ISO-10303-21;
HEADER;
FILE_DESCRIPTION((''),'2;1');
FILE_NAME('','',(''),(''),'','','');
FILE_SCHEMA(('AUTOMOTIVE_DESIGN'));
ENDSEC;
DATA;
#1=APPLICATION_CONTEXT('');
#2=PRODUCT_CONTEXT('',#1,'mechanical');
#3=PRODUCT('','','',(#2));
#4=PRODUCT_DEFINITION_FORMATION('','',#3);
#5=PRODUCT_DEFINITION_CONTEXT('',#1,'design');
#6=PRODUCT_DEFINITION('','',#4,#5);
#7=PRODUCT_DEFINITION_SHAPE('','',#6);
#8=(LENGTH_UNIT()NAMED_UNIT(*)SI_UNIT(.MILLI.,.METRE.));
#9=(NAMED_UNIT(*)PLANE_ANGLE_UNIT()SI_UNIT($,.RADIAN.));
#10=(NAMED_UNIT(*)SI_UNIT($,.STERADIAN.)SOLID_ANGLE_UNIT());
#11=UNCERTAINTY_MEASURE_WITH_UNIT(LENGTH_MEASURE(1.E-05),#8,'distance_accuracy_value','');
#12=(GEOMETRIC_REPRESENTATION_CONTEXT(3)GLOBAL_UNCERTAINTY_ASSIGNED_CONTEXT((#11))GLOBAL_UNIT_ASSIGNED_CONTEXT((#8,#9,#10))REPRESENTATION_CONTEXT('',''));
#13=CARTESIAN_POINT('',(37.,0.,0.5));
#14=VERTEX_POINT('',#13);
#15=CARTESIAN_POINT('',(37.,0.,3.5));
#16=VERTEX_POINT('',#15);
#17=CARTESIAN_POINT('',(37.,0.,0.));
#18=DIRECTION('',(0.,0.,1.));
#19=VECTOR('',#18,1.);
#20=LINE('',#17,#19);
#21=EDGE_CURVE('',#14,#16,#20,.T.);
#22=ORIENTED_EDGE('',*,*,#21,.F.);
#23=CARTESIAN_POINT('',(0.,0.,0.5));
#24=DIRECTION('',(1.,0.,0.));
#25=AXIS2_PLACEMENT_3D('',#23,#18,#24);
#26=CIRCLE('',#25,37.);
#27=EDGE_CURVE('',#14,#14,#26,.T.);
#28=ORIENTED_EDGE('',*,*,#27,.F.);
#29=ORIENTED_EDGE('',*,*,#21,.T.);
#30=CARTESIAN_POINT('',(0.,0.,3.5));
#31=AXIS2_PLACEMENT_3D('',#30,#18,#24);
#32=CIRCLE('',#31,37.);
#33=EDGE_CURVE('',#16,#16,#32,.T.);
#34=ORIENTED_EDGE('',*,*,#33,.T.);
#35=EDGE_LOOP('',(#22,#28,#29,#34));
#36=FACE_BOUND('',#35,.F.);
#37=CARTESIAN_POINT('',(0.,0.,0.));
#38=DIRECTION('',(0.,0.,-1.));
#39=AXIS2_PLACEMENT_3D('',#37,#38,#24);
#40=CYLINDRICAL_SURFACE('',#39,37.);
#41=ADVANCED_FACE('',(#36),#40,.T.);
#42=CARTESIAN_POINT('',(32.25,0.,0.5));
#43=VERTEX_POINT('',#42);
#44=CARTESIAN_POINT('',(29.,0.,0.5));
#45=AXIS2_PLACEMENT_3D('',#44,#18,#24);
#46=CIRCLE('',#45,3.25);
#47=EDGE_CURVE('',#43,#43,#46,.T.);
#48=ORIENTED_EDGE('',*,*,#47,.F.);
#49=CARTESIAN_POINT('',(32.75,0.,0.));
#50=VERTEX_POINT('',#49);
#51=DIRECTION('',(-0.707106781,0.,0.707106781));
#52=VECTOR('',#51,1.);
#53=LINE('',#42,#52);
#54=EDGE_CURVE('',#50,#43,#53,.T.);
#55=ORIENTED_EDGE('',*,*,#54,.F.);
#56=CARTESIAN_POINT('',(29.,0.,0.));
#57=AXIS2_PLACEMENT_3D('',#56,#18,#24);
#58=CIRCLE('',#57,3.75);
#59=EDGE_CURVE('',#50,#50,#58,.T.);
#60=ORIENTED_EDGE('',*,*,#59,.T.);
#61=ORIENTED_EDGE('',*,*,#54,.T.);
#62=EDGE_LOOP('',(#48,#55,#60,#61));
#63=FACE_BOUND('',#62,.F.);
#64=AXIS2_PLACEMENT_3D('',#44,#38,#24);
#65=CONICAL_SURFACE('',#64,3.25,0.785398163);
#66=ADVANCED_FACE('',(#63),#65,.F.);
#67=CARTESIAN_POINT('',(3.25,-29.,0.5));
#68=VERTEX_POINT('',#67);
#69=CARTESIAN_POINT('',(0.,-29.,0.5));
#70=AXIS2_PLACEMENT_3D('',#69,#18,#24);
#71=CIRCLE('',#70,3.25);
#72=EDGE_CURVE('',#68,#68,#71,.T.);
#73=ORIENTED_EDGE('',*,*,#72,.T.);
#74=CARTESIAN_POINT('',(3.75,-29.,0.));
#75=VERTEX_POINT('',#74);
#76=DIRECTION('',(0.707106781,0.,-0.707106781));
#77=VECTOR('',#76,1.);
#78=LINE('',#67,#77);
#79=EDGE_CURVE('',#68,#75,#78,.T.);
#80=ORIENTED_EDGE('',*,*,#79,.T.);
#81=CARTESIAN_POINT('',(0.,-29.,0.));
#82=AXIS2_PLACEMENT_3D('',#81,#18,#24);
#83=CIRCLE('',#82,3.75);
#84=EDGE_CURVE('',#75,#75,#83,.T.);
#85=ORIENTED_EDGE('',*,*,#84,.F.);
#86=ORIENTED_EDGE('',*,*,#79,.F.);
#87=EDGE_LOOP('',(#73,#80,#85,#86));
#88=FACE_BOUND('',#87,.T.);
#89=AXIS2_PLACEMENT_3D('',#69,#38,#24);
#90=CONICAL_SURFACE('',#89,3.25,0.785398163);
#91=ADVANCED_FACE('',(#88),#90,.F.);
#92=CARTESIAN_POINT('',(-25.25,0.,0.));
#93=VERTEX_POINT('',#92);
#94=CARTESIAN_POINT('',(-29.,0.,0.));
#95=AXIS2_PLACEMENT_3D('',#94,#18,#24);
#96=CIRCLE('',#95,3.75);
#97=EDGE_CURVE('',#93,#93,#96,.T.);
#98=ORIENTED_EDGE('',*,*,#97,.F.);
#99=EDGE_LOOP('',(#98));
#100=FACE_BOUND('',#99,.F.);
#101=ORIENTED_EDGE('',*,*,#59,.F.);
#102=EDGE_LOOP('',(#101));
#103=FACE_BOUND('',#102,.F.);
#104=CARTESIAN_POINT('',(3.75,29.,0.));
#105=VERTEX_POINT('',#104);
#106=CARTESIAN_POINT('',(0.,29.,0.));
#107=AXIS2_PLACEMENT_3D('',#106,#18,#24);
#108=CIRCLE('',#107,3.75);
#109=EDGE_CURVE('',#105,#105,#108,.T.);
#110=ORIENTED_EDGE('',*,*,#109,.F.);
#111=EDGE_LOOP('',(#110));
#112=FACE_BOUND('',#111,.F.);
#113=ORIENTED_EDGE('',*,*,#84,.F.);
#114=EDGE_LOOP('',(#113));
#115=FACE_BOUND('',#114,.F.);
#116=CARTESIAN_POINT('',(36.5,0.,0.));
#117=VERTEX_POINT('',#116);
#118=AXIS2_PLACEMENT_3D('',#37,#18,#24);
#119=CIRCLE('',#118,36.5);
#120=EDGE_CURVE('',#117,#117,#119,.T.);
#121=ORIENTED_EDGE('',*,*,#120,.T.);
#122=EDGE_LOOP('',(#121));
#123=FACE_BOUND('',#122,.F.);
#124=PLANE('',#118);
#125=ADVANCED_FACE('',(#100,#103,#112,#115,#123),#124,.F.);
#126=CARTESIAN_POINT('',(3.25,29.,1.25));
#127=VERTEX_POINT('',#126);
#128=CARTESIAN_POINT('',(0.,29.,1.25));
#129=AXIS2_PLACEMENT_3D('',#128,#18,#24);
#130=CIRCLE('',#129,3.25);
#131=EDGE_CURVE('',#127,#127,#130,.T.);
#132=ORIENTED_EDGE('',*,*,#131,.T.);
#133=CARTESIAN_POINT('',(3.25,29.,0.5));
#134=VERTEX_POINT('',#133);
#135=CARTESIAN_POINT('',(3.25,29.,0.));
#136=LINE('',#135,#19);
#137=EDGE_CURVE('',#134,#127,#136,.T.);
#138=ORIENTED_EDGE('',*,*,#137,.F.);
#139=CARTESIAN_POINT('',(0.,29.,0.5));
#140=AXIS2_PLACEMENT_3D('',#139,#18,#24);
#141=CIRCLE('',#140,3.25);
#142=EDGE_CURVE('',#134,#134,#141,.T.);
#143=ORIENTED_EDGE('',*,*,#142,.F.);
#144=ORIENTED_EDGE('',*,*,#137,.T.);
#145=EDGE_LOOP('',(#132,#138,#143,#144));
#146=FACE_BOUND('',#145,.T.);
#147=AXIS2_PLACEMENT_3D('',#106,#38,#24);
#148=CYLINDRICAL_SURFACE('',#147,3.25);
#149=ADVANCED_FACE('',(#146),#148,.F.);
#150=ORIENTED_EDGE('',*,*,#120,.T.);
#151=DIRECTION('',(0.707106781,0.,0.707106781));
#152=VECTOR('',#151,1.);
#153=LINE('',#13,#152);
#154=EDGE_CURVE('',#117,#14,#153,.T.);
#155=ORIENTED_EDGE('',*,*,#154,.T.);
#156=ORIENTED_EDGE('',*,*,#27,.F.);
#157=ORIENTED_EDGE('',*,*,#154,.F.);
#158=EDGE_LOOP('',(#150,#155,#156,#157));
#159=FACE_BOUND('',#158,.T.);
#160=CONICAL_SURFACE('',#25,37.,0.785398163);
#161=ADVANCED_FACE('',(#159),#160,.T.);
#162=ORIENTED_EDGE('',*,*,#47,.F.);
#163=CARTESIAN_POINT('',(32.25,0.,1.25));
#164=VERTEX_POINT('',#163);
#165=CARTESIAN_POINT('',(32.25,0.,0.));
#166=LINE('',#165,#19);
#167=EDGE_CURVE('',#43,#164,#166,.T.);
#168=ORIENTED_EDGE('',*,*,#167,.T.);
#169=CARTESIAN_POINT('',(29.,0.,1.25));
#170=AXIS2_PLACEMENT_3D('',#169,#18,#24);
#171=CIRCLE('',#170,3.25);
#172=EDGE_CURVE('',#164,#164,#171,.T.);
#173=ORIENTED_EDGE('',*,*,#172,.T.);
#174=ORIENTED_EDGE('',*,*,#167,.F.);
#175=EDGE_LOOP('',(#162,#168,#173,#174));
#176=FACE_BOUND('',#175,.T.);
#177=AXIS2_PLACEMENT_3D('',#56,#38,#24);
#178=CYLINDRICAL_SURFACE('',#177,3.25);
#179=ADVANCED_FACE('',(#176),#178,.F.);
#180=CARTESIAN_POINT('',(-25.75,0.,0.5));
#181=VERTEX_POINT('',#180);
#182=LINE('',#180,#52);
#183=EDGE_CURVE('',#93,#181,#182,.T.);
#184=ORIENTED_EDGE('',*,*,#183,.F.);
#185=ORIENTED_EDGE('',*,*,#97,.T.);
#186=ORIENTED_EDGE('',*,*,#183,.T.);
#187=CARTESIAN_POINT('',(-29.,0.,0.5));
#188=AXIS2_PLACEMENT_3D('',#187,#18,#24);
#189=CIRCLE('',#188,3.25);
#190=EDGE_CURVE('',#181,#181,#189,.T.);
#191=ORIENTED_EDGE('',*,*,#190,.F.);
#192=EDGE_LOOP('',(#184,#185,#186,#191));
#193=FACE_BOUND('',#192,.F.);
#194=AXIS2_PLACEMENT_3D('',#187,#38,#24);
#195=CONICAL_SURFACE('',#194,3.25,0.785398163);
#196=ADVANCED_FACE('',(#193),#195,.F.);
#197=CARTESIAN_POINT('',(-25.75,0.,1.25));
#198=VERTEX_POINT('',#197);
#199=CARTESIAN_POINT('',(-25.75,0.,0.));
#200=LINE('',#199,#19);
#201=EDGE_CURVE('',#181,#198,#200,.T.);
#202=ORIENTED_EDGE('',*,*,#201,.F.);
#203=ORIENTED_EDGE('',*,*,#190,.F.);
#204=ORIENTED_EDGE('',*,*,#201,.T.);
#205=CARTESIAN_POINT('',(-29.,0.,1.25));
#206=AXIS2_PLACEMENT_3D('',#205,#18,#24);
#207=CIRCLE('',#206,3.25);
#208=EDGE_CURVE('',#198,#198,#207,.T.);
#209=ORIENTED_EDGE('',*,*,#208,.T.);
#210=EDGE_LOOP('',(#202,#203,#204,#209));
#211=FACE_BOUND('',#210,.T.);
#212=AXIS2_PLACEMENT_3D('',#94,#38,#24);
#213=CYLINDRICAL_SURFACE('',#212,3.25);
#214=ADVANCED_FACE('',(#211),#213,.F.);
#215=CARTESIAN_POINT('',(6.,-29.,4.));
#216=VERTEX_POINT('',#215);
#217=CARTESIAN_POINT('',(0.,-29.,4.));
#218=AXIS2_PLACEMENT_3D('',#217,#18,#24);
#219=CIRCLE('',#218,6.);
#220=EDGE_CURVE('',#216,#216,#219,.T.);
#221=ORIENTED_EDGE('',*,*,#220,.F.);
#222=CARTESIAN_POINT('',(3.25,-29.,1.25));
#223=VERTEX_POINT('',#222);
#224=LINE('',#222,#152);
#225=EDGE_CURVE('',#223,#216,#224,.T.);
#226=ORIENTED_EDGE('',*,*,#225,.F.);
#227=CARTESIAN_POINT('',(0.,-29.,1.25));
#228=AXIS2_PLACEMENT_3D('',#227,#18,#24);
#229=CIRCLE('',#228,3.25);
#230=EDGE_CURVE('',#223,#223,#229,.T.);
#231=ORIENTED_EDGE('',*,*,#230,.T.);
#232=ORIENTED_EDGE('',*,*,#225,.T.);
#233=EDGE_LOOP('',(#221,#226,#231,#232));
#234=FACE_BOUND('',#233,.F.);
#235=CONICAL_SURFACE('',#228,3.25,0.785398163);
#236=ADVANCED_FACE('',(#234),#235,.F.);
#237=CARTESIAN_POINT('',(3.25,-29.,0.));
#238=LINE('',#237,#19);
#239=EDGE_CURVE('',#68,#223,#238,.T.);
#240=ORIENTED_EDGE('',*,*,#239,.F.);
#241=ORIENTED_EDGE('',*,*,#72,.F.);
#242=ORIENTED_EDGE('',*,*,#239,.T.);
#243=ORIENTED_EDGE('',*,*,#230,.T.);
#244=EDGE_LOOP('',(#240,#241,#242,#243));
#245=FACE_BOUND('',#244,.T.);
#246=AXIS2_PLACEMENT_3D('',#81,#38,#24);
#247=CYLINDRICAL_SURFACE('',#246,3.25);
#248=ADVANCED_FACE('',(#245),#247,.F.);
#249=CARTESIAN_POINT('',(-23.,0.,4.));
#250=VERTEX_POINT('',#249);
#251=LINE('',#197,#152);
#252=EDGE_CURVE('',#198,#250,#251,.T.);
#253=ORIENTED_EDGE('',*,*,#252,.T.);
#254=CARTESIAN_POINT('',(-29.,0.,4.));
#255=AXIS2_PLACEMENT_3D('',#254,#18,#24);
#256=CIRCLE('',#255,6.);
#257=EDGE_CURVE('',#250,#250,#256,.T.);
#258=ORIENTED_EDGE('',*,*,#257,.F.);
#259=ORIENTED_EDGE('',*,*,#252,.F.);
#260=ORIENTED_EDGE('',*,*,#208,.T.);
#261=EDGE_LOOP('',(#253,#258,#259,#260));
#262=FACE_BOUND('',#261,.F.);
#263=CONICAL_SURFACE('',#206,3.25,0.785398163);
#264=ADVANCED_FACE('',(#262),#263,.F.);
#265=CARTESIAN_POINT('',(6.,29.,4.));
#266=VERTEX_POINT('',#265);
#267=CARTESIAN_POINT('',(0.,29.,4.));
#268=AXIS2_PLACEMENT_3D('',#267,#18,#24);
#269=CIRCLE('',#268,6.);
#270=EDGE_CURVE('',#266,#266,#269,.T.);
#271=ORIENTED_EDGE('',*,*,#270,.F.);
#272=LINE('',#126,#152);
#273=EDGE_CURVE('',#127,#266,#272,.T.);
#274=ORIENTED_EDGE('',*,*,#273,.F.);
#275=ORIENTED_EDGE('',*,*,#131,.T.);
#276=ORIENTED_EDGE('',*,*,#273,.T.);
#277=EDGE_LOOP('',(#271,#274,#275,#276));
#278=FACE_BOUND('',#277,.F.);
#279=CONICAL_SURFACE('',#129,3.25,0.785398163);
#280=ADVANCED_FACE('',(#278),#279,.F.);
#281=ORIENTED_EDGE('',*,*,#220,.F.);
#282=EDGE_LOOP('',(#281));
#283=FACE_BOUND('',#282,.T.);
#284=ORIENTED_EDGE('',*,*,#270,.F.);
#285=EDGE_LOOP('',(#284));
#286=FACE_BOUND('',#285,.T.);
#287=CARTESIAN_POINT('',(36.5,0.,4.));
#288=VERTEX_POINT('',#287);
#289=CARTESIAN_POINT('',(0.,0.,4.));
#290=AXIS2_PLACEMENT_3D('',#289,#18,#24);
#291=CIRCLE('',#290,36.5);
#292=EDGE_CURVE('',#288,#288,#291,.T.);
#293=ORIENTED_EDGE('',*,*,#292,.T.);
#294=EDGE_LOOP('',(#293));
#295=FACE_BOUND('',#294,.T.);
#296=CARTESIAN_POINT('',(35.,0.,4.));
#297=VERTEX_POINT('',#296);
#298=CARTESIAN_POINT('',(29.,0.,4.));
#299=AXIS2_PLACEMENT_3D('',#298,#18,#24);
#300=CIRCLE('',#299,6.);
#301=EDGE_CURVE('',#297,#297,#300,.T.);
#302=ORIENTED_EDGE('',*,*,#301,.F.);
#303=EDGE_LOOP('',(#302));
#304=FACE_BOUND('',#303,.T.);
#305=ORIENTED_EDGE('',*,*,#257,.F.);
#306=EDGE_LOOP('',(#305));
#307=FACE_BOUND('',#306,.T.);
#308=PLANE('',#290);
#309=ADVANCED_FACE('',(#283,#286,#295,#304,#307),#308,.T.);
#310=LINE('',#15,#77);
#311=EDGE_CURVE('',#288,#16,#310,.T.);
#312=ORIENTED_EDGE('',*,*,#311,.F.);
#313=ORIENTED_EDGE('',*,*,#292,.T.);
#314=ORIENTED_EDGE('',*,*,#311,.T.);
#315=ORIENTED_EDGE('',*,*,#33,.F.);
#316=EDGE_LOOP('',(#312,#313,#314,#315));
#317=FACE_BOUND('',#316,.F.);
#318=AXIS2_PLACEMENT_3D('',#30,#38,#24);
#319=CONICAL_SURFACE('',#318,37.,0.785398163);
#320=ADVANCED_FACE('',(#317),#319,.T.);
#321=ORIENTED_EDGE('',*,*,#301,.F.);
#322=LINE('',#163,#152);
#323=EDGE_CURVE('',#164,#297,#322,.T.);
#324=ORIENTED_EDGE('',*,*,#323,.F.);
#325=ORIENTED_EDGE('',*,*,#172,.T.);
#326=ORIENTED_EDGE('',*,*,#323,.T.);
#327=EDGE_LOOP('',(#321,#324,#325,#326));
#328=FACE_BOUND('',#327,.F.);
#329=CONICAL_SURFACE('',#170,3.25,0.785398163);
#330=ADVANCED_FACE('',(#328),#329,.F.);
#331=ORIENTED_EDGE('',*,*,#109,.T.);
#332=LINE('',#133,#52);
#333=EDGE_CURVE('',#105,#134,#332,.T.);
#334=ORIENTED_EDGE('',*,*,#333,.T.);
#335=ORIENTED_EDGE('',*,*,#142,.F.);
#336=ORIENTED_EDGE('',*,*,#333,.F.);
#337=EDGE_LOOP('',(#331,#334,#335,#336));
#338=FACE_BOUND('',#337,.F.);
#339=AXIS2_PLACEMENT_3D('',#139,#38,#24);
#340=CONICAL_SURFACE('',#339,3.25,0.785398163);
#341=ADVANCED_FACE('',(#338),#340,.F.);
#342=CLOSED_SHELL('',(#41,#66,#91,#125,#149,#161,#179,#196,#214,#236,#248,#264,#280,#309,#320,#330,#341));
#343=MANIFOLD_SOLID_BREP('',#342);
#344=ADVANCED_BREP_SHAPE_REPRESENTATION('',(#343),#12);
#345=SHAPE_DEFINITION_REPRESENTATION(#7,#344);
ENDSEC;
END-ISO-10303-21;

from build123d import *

# Parameters (mm, degrees)
F0_R     = 37
F0_R_2   = 3.25
F1_DEPTH = 4
F2_SIZE  = 2.75
F3_SIZE  = 0.5


with BuildPart() as f1:
    # F0 (on Top) → F1 (new body)
    with BuildSketch(Plane.XY):
        Circle(F0_R)
        with Locations((0, -29)):
            Circle(F0_R_2, mode=Mode.SUBTRACT)
        with Locations((-29, 0)):
            Circle(F0_R_2, mode=Mode.SUBTRACT)
        with Locations((29, 0)):
            Circle(F0_R_2, mode=Mode.SUBTRACT)
        with Locations((0, 29)):
            Circle(F0_R_2, mode=Mode.SUBTRACT)
    extrude(amount=F1_DEPTH)

    # F2
    f2_edges = [f1.edges().sort_by_distance(p)[0] for p in [
        (-3.25, -29, 4),
        (-32.25, 0, 4),
        (-3.25, 29, 4),
        (25.75, 0, 4),
    ]]
    chamfer(f2_edges, length=F2_SIZE)

    # F3
    f3_edges = [f1.edges().sort_by_distance(p)[0] for p in [
        (37, 0, 2),
        (-37, 0, 0),
        (-37, 0, 4),
        (-3.25, -29, 0),
        (-32.25, 0, 0),
        (-3.25, 29, 0),
        (25.75, 0, 0),
    ]]
    chamfer(f3_edges, length=F3_SIZE)


solid = f1.part
